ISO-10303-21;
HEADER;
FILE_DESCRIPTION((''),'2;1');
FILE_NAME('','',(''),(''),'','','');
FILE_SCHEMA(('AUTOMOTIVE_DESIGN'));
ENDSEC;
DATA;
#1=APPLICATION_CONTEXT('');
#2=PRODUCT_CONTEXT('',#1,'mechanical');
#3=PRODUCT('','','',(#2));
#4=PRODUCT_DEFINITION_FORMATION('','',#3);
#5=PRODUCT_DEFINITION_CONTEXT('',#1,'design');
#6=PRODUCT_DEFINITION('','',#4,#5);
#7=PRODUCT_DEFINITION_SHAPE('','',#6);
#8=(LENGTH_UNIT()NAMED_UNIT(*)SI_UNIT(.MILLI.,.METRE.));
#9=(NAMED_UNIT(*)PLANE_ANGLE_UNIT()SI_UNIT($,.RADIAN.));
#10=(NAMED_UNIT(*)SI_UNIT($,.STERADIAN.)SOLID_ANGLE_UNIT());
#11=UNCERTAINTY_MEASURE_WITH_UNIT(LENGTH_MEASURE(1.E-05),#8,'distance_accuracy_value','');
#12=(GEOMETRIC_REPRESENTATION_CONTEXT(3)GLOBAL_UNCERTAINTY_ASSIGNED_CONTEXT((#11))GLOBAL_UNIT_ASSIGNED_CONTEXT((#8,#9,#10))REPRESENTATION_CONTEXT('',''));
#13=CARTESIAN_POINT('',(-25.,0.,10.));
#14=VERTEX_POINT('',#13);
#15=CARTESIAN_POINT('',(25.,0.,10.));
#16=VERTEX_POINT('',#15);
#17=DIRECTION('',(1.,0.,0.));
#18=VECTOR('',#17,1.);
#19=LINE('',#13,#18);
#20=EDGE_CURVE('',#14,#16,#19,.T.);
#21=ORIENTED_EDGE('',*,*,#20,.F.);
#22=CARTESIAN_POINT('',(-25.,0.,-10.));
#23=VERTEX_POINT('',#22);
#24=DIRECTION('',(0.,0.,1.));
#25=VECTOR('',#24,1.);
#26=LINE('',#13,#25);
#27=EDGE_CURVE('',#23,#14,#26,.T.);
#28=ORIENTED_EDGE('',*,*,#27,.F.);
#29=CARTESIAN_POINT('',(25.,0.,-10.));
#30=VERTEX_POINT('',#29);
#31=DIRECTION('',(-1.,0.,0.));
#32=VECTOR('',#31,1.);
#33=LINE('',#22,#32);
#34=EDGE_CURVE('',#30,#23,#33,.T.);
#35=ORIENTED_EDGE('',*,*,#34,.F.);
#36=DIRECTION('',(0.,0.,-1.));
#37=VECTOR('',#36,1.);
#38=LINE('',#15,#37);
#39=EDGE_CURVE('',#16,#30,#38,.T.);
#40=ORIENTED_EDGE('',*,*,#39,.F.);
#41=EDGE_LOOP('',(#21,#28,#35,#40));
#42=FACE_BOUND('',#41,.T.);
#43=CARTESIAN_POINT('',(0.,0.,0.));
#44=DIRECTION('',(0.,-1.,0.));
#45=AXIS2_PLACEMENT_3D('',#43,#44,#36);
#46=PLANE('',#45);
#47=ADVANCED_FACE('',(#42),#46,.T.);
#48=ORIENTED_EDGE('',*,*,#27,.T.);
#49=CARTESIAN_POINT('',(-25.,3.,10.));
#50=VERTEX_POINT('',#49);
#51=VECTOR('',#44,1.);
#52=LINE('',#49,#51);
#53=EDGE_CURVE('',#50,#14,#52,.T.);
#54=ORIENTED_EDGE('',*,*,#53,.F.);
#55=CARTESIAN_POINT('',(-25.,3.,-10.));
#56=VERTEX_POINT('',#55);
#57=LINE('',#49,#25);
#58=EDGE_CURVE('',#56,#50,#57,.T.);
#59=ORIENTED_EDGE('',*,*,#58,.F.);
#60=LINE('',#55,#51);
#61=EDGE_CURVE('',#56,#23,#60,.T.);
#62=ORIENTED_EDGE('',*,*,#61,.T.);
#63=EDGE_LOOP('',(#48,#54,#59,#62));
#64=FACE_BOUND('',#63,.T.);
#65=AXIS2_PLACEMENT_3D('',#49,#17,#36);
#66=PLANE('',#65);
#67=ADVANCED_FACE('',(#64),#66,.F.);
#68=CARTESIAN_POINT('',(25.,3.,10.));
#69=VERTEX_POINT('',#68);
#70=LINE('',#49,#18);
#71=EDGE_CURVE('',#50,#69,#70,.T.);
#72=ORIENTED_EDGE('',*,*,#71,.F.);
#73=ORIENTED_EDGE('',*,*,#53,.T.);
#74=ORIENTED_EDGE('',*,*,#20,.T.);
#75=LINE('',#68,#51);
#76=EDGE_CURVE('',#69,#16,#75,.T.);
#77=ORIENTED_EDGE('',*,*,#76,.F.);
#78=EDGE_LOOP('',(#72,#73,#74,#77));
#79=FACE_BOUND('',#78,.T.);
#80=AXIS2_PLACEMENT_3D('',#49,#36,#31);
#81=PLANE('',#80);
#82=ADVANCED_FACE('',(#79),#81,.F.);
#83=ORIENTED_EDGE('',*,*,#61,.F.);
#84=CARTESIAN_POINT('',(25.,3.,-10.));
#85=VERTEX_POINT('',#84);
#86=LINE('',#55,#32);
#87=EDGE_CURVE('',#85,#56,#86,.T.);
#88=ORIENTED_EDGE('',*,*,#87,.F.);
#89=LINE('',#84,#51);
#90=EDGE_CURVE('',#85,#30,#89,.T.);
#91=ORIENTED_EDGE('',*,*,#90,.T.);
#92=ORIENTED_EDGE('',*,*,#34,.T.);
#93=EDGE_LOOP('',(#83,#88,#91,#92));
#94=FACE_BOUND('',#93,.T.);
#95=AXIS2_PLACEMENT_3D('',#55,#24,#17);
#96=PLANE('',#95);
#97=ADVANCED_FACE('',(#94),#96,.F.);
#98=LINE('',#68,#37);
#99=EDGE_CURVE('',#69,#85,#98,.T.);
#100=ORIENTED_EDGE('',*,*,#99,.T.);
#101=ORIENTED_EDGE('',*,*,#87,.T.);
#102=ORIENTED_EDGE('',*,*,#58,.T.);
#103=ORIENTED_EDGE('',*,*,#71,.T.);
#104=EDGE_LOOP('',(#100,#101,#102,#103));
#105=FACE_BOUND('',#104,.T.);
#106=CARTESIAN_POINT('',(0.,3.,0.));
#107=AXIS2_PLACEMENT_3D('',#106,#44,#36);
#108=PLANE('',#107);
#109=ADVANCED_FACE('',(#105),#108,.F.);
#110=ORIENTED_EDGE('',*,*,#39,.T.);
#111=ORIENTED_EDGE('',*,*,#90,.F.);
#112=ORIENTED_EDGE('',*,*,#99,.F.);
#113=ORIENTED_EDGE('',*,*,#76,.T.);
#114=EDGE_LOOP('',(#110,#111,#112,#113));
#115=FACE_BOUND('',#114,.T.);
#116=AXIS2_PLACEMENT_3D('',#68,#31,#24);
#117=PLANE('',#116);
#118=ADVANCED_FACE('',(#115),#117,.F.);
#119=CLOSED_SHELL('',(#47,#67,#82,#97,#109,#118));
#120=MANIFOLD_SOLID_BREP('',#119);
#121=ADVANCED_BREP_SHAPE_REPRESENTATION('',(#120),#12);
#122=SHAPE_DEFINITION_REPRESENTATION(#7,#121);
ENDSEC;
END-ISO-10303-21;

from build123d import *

# Parameters (mm, degrees)
SKETCH_1_W      = 50
SKETCH_1_H      = 20
EXTRUDE_1_DEPTH = 3


with BuildPart() as part:
    # 草图1 → 凸台-拉伸1 (new body)
    with BuildSketch(Plane(origin=(0, 0, 0), x_dir=(1, 0, 0), z_dir=(0, 1, 0))):
        Rectangle(SKETCH_1_W, SKETCH_1_H)
    extrude(amount=EXTRUDE_1_DEPTH)


solid = part.part
